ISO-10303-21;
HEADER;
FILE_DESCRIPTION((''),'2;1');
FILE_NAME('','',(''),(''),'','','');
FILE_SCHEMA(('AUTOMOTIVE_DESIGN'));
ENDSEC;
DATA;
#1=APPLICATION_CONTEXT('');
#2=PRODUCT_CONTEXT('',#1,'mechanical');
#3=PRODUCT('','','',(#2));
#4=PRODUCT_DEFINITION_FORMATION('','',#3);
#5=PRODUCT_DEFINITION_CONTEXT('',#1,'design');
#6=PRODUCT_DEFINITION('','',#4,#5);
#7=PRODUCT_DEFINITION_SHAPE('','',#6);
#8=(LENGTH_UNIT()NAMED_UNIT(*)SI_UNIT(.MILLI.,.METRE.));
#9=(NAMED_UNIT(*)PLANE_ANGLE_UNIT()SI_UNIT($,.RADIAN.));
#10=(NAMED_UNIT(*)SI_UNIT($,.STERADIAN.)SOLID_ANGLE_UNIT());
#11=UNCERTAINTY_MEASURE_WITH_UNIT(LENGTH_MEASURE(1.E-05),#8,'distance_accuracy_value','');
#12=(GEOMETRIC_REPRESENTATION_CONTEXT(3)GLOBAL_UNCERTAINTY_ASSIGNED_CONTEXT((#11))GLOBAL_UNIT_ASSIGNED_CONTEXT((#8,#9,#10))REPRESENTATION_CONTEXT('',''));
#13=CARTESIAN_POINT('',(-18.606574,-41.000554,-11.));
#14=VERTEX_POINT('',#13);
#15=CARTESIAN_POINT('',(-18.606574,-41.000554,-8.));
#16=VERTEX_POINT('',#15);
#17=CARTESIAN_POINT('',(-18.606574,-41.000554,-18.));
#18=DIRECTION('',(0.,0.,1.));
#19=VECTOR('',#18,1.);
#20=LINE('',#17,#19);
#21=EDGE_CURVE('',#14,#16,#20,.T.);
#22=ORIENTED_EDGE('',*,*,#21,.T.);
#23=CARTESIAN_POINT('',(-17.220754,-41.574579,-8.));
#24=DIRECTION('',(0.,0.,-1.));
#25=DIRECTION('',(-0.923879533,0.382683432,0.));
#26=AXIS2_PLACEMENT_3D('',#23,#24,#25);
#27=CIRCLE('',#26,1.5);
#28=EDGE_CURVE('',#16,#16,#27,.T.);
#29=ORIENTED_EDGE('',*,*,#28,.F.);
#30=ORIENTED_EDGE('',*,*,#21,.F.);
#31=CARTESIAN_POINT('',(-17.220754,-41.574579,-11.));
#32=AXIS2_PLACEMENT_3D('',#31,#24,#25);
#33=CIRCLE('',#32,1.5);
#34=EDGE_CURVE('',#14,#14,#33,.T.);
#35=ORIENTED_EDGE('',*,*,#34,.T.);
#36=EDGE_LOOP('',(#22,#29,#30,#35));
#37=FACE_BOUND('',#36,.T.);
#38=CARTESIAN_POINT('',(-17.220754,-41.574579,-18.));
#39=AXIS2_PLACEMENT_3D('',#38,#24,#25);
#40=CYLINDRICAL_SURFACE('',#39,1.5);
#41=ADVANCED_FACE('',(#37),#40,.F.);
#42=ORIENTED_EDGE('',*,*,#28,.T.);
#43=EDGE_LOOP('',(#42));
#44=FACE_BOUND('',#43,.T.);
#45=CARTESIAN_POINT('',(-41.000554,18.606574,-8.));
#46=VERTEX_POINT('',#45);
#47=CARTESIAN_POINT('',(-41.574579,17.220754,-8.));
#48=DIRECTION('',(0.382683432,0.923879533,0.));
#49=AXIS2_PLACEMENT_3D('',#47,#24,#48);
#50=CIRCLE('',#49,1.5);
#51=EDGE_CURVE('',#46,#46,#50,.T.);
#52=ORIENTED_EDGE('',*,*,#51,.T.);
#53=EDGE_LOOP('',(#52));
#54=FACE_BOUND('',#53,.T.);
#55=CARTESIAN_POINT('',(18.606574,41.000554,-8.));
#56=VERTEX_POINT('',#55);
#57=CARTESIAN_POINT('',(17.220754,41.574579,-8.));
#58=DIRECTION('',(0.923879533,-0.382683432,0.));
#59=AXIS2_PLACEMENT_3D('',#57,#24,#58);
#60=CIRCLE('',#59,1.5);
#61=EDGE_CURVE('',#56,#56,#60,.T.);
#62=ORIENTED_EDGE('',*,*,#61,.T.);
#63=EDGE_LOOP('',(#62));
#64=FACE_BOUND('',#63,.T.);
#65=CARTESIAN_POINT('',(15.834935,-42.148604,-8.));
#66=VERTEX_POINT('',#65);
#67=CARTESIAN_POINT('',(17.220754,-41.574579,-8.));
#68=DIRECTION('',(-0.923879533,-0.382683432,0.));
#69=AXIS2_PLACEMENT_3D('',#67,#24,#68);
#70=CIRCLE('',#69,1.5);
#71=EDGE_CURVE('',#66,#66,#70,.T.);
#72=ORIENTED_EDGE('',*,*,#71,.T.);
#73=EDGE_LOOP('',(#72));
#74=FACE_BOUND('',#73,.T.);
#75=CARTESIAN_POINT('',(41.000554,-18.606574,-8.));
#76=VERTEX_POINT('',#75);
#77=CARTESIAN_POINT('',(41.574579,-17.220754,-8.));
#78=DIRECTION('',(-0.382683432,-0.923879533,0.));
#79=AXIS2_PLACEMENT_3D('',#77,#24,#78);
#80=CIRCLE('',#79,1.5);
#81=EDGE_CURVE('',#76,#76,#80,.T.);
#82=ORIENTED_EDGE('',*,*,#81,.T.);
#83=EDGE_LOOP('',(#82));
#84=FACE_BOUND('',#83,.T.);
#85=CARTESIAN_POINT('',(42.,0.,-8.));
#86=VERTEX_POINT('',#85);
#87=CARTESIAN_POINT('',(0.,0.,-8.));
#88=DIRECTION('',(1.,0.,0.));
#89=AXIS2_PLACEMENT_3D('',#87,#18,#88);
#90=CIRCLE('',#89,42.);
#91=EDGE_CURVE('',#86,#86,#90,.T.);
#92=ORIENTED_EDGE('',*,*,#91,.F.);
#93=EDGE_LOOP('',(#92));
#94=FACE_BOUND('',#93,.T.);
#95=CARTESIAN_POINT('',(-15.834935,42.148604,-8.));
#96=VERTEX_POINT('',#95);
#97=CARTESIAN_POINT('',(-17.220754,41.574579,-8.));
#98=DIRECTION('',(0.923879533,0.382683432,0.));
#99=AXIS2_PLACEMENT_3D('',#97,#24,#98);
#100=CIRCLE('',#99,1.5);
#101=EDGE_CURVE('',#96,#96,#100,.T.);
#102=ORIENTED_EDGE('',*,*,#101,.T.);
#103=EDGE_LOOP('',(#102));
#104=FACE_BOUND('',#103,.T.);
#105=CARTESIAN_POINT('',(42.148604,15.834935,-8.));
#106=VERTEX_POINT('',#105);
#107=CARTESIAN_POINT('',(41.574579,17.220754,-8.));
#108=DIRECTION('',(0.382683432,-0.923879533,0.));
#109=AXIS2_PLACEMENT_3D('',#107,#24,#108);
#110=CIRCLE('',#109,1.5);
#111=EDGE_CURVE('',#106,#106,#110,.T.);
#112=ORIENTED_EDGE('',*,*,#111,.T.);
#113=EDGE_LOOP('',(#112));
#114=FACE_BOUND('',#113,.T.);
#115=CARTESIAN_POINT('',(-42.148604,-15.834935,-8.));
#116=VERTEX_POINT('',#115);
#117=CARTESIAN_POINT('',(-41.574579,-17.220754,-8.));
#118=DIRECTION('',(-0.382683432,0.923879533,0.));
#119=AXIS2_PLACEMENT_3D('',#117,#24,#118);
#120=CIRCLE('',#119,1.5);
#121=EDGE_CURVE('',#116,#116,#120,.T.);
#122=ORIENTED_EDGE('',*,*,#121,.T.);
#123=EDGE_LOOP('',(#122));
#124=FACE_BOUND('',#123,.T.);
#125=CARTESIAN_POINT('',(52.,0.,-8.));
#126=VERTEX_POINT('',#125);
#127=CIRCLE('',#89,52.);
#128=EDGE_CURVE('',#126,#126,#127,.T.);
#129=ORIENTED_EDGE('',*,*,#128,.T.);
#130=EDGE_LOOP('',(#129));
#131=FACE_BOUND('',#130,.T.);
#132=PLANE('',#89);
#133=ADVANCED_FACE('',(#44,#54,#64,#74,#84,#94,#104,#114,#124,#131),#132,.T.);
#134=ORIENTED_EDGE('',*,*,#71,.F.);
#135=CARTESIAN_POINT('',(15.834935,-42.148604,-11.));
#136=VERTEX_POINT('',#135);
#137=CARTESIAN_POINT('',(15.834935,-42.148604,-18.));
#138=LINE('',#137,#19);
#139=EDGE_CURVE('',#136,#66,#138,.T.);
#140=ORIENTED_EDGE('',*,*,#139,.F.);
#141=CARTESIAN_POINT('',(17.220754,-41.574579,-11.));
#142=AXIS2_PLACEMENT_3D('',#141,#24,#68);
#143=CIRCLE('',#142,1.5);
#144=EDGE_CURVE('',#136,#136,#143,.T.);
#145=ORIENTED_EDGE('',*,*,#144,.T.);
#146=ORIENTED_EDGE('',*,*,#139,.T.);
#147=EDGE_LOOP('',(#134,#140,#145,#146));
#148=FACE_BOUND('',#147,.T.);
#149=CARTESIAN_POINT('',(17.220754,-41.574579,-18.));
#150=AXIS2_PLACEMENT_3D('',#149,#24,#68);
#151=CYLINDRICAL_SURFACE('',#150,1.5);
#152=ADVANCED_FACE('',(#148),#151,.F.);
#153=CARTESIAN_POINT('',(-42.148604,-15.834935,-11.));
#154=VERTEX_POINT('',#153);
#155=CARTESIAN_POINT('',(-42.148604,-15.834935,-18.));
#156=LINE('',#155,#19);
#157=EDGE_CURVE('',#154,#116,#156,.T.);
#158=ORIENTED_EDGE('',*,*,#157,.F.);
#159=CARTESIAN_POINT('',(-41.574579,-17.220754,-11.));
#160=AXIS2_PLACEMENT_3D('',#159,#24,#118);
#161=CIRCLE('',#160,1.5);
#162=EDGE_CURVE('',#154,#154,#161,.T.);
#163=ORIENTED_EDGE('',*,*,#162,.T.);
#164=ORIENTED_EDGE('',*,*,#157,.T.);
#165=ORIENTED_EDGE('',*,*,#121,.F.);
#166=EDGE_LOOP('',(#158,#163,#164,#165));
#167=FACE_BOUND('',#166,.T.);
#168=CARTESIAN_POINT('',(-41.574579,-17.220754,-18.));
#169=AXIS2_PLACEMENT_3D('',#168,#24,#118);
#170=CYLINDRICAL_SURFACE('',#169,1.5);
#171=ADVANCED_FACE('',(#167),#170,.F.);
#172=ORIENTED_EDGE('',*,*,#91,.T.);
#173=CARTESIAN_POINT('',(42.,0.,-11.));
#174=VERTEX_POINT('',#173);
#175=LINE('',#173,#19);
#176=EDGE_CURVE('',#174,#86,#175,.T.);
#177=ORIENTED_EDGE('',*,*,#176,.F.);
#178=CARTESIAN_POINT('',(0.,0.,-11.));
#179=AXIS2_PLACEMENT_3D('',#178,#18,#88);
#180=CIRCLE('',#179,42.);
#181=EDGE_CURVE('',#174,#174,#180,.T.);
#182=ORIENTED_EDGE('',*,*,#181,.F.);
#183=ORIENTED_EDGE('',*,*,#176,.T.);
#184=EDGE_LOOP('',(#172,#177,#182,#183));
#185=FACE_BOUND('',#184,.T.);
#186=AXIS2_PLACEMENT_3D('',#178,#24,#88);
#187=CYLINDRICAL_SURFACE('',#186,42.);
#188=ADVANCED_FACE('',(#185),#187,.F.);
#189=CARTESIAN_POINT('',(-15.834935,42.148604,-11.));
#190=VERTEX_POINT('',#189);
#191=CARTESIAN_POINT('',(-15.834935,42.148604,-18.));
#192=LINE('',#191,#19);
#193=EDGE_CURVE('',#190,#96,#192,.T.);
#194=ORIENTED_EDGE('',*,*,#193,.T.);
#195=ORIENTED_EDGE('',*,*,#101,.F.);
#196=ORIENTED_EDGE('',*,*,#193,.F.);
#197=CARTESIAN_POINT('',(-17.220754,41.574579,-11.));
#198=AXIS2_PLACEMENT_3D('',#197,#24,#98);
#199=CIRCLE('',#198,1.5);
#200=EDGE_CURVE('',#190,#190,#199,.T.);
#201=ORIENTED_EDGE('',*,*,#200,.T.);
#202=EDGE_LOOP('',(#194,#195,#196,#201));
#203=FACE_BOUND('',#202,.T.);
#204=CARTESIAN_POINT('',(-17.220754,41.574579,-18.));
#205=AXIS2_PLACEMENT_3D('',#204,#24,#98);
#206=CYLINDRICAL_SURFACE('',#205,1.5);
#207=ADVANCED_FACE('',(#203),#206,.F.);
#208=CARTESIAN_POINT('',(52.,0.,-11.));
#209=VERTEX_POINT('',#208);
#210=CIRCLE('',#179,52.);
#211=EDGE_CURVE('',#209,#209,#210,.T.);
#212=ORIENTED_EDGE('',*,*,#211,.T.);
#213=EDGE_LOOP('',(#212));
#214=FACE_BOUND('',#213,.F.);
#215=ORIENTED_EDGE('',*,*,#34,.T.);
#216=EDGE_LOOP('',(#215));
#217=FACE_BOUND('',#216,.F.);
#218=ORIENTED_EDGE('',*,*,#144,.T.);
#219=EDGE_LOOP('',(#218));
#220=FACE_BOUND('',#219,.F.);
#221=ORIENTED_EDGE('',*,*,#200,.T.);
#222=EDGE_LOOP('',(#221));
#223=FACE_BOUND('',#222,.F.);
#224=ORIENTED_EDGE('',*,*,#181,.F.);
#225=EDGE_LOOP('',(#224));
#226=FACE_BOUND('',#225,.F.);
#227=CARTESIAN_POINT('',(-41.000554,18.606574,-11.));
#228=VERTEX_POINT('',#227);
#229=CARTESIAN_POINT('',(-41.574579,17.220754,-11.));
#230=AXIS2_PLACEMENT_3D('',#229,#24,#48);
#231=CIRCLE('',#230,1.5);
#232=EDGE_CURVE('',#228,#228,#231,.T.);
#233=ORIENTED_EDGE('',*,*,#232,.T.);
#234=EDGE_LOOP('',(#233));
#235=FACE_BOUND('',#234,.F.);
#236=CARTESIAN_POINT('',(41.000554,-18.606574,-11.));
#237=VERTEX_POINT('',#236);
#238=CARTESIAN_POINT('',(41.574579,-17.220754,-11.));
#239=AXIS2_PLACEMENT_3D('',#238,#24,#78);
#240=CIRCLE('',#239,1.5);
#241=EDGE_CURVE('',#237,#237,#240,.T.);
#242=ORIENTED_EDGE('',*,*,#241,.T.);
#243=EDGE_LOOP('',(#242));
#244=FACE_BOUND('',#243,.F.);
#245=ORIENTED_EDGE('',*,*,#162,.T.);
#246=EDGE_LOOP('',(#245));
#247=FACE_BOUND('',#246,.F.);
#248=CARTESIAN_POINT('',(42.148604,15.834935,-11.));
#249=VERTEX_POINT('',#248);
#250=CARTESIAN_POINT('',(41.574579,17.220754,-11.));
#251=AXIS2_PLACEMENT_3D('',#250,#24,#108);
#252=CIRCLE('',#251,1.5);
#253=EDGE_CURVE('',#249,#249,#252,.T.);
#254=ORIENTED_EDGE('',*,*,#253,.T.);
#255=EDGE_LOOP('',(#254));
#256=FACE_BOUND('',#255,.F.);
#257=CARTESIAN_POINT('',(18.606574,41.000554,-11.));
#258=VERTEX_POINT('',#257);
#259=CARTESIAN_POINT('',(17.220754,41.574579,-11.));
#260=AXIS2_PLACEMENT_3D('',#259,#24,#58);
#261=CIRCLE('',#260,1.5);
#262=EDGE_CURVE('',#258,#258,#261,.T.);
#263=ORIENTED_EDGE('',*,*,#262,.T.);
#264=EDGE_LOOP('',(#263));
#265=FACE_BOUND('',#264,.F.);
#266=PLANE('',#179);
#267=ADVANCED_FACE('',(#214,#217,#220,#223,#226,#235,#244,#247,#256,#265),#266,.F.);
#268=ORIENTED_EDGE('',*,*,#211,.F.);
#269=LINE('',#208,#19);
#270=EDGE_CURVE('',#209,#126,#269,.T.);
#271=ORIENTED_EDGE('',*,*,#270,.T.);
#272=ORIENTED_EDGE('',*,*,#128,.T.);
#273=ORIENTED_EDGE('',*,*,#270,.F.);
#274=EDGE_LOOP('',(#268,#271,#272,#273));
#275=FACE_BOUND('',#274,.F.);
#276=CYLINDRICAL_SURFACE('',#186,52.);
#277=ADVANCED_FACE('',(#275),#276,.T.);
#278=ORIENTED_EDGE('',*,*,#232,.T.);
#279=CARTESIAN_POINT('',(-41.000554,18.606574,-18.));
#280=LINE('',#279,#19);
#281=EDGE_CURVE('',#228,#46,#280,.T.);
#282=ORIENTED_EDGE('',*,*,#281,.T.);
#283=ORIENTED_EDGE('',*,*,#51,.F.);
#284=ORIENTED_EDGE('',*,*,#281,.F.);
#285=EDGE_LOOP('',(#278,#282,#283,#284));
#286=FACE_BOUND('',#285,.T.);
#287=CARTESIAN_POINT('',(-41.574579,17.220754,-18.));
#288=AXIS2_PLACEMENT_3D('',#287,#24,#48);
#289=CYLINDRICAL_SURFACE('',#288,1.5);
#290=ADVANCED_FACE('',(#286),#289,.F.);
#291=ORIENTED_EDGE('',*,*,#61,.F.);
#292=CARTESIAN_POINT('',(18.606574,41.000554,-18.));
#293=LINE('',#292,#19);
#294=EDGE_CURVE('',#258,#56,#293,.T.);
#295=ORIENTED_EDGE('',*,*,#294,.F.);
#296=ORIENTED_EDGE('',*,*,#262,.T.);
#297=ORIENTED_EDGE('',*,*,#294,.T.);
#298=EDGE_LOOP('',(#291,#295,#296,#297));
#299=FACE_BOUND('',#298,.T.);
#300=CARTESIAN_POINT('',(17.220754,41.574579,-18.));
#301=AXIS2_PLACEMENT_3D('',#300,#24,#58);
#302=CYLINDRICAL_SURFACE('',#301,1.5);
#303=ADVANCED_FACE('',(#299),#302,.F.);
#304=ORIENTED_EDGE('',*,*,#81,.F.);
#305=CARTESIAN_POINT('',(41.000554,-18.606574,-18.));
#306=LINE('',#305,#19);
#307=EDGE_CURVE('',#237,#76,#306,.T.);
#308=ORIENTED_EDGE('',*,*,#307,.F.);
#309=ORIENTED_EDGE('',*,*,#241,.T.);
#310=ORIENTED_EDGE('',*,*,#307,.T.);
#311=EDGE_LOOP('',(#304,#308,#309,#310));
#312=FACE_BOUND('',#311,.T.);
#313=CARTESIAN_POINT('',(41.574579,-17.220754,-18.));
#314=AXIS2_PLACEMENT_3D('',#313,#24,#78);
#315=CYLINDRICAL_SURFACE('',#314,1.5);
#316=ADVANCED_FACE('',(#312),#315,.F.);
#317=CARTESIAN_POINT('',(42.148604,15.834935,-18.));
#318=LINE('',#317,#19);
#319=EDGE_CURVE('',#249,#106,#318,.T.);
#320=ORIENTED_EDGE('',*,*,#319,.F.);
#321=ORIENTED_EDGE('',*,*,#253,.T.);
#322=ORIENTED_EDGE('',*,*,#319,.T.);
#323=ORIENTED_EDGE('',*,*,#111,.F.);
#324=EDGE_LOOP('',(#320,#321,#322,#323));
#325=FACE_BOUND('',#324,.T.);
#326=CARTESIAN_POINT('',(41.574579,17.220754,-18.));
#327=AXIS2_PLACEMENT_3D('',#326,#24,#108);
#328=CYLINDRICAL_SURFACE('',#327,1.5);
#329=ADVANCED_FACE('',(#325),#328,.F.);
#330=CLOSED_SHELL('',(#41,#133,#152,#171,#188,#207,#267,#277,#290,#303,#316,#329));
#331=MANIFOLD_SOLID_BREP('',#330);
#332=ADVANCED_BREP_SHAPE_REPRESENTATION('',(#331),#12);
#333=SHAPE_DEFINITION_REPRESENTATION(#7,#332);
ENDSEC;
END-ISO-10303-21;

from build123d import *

# Parameters (mm, degrees)
CYLINDER250_R               = 1.5
CYLINDER250_DEPTH           = 20
CYLINDER250_PLACEMENT_ANGLE = 45
CYLINDER251_R               = 1.5
CYLINDER251_DEPTH           = 20
CYLINDER252_R               = 1.5
CYLINDER252_DEPTH           = 20
CYLINDER252_PLACEMENT_ANGLE = 135
CYLINDER247_R               = 1.5
CYLINDER247_DEPTH           = 20
CYLINDER249_R               = 1.5
CYLINDER249_DEPTH           = 20
CYLINDER249_PLACEMENT_ANGLE = 225
CYLINDER246_R               = 1.5
CYLINDER246_DEPTH           = 20
CYLINDER248_R               = 1.5
CYLINDER248_DEPTH           = 20
CYLINDER248_PLACEMENT_ANGLE = 45
CYLINDER245_R               = 1.5
CYLINDER245_DEPTH           = 20
COMPOUND224_PLACEMENT_ANGLE = 22.5
TUBE025_R                   = 52
TUBE025_R_2                 = 42
TUBE025_DEPTH               = 3


with BuildPart() as v_lec250:
    # Cylinder250 → Cylinder250 (new body)
    with BuildSketch(Plane.XY):
        Circle(CYLINDER250_R)
    extrude(amount=CYLINDER250_DEPTH)


with BuildPart() as v_lec250_1:
    # Cylinder250 placement: moved
    add(v_lec250.part.moved(Location((-31.819805, 31.819805, -18))).rotate(Axis((-31.819805, 31.819805, -18), (0, 0, 1)), CYLINDER250_PLACEMENT_ANGLE))


with BuildPart() as v_lec251:
    # Cylinder251 → Cylinder251 (new body)
    with BuildSketch(Plane(origin=(-45, 0, -18), x_dir=(0, 1, 0), z_dir=(0, 0, 1))):
        Circle(CYLINDER251_R)
    extrude(amount=CYLINDER251_DEPTH)


with BuildPart() as v_lec252:
    # Cylinder252 → Cylinder252 (new body)
    with BuildSketch(Plane.XY):
        Circle(CYLINDER252_R)
    extrude(amount=CYLINDER252_DEPTH)


with BuildPart() as v_lec252_1:
    # Cylinder252 placement: moved
    add(v_lec252.part.moved(Location((-31.819805, -31.819805, -18))).rotate(Axis((-31.819805, -31.819805, -18), (0, 0, 1)), CYLINDER252_PLACEMENT_ANGLE))


with BuildPart() as v_lec247:
    # Cylinder247 → Cylinder247 (new body)
    with BuildSketch(Plane(origin=(0, -45, -18), x_dir=(-1, 0, 0), z_dir=(0, 0, 1))):
        Circle(CYLINDER247_R)
    extrude(amount=CYLINDER247_DEPTH)


with BuildPart() as v_lec249:
    # Cylinder249 → Cylinder249 (new body)
    with BuildSketch(Plane.XY):
        Circle(CYLINDER249_R)
    extrude(amount=CYLINDER249_DEPTH)


with BuildPart() as v_lec249_1:
    # Cylinder249 placement: moved
    add(v_lec249.part.moved(Location((31.819805, -31.819805, -18))).rotate(Axis((31.819805, -31.819805, -18), (0, 0, 1)), CYLINDER249_PLACEMENT_ANGLE))


with BuildPart() as v_lec246:
    # Cylinder246 → Cylinder246 (new body)
    with BuildSketch(Plane(origin=(45, 0, -18), x_dir=(0, -1, 0), z_dir=(0, 0, 1))):
        Circle(CYLINDER246_R)
    extrude(amount=CYLINDER246_DEPTH)


with BuildPart() as v_lec248:
    # Cylinder248 → Cylinder248 (new body)
    with BuildSketch(Plane.XY):
        Circle(CYLINDER248_R)
    extrude(amount=CYLINDER248_DEPTH)


with BuildPart() as v_lec248_1:
    # Cylinder248 placement: moved
    add(v_lec248.part.moved(Location((31.819805, 31.819805, -18))).rotate(Axis((31.819805, 31.819805, -18), (0, 0, -1)), CYLINDER248_PLACEMENT_ANGLE))


with BuildPart() as compound224:
    # Cylinder245 → Cylinder245 (new body)
    with BuildSketch(Plane(origin=(0, 45, -18), x_dir=(1, 0, 0), z_dir=(0, 0, 1))):
        Circle(CYLINDER245_R)
    extrude(amount=CYLINDER245_DEPTH)

    # Compound224: union Válec250, Válec251, Válec252, Válec247, Válec249, Válec246, Válec248
    add(v_lec250_1.part)
    add(v_lec251.part)
    add(v_lec252_1.part)
    add(v_lec247.part)
    add(v_lec249_1.part)
    add(v_lec246.part)
    add(v_lec248_1.part)


with BuildPart() as compound224_1:
    # Compound224 placement: moved
    add(compound224.part.rotate(Axis((0, 0, 0), (0, 0, 1)), COMPOUND224_PLACEMENT_ANGLE))


with BuildPart() as j_max_motor_washer:
    # Tube025 → Tube025 (new body)
    with BuildSketch(Plane.XY.offset(-11)):
        Circle(TUBE025_R)
        Circle(TUBE025_R_2, mode=Mode.SUBTRACT)
    extrude(amount=TUBE025_DEPTH)

    # Cut118: cut Compound224
    add(compound224_1.part, mode=Mode.SUBTRACT)


solid = j_max_motor_washer.part
